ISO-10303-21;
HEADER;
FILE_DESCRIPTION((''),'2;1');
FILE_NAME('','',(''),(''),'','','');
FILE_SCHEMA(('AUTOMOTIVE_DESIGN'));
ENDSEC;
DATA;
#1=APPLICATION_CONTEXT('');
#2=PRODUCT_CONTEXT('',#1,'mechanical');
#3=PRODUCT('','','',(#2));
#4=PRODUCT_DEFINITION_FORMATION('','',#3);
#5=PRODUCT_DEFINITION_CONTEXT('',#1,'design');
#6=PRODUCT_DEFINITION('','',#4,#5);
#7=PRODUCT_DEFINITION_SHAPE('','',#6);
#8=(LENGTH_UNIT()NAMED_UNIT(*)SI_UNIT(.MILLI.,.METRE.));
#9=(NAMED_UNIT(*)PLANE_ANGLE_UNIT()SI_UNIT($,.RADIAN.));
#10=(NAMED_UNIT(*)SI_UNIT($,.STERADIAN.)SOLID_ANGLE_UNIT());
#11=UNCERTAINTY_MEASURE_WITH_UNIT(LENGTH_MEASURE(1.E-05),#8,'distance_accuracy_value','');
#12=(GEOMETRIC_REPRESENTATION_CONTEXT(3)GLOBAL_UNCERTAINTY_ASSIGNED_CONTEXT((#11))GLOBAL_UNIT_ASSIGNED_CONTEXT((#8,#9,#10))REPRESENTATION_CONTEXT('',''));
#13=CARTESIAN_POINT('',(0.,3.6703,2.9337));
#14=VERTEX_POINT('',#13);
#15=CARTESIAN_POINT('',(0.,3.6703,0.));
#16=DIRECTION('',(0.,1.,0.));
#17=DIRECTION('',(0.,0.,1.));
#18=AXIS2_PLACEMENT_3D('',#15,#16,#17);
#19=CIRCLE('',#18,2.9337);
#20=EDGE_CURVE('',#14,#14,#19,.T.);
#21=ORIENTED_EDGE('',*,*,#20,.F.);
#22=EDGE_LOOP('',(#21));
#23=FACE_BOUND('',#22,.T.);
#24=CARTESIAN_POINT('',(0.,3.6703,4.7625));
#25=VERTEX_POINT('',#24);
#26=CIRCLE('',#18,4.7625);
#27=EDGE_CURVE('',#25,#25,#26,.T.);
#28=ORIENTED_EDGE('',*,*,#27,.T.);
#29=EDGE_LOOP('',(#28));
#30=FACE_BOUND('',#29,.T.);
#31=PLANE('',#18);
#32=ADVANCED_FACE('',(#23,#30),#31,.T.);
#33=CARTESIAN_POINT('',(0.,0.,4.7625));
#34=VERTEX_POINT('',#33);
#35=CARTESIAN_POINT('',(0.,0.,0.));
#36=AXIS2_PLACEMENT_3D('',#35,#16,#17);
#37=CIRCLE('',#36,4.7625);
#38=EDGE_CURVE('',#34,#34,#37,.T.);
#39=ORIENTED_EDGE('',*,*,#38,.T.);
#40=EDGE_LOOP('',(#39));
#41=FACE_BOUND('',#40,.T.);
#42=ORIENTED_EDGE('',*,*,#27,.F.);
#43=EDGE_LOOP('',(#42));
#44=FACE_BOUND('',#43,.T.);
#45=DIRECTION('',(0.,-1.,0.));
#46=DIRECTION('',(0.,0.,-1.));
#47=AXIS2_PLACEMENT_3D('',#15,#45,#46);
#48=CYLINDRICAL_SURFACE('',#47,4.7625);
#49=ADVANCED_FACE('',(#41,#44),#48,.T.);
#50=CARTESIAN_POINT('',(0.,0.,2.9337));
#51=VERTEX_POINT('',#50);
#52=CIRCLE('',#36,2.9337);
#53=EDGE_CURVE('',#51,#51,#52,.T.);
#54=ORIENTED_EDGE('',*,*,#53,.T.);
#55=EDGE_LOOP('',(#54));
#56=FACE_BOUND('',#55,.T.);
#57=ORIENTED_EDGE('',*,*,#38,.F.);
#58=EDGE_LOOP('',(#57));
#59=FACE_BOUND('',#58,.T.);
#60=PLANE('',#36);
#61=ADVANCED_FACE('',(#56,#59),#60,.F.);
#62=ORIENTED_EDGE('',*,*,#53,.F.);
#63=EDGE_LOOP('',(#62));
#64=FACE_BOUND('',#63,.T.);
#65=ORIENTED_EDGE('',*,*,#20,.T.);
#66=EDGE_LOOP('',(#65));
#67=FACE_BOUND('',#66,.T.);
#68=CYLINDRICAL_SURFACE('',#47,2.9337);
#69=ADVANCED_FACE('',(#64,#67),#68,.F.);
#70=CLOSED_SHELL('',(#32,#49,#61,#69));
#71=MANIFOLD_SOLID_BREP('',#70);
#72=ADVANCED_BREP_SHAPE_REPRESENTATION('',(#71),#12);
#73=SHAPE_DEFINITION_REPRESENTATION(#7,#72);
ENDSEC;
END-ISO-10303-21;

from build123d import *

# Parameters (mm, degrees)
SKETCH1_R           = 4.7625
SKETCH1_R_2         = 2.9337
BOSS_EXTRUDE1_DEPTH = 3.6703


with BuildPart() as part:
    # Sketch1 → Boss-Extrude1 (new body)
    with BuildSketch(Plane(origin=(0, 0, 0), x_dir=(1, 0, 0), z_dir=(0, 1, 0))):
        Circle(SKETCH1_R)
        Circle(SKETCH1_R_2, mode=Mode.SUBTRACT)
    extrude(amount=BOSS_EXTRUDE1_DEPTH)


solid = part.part
